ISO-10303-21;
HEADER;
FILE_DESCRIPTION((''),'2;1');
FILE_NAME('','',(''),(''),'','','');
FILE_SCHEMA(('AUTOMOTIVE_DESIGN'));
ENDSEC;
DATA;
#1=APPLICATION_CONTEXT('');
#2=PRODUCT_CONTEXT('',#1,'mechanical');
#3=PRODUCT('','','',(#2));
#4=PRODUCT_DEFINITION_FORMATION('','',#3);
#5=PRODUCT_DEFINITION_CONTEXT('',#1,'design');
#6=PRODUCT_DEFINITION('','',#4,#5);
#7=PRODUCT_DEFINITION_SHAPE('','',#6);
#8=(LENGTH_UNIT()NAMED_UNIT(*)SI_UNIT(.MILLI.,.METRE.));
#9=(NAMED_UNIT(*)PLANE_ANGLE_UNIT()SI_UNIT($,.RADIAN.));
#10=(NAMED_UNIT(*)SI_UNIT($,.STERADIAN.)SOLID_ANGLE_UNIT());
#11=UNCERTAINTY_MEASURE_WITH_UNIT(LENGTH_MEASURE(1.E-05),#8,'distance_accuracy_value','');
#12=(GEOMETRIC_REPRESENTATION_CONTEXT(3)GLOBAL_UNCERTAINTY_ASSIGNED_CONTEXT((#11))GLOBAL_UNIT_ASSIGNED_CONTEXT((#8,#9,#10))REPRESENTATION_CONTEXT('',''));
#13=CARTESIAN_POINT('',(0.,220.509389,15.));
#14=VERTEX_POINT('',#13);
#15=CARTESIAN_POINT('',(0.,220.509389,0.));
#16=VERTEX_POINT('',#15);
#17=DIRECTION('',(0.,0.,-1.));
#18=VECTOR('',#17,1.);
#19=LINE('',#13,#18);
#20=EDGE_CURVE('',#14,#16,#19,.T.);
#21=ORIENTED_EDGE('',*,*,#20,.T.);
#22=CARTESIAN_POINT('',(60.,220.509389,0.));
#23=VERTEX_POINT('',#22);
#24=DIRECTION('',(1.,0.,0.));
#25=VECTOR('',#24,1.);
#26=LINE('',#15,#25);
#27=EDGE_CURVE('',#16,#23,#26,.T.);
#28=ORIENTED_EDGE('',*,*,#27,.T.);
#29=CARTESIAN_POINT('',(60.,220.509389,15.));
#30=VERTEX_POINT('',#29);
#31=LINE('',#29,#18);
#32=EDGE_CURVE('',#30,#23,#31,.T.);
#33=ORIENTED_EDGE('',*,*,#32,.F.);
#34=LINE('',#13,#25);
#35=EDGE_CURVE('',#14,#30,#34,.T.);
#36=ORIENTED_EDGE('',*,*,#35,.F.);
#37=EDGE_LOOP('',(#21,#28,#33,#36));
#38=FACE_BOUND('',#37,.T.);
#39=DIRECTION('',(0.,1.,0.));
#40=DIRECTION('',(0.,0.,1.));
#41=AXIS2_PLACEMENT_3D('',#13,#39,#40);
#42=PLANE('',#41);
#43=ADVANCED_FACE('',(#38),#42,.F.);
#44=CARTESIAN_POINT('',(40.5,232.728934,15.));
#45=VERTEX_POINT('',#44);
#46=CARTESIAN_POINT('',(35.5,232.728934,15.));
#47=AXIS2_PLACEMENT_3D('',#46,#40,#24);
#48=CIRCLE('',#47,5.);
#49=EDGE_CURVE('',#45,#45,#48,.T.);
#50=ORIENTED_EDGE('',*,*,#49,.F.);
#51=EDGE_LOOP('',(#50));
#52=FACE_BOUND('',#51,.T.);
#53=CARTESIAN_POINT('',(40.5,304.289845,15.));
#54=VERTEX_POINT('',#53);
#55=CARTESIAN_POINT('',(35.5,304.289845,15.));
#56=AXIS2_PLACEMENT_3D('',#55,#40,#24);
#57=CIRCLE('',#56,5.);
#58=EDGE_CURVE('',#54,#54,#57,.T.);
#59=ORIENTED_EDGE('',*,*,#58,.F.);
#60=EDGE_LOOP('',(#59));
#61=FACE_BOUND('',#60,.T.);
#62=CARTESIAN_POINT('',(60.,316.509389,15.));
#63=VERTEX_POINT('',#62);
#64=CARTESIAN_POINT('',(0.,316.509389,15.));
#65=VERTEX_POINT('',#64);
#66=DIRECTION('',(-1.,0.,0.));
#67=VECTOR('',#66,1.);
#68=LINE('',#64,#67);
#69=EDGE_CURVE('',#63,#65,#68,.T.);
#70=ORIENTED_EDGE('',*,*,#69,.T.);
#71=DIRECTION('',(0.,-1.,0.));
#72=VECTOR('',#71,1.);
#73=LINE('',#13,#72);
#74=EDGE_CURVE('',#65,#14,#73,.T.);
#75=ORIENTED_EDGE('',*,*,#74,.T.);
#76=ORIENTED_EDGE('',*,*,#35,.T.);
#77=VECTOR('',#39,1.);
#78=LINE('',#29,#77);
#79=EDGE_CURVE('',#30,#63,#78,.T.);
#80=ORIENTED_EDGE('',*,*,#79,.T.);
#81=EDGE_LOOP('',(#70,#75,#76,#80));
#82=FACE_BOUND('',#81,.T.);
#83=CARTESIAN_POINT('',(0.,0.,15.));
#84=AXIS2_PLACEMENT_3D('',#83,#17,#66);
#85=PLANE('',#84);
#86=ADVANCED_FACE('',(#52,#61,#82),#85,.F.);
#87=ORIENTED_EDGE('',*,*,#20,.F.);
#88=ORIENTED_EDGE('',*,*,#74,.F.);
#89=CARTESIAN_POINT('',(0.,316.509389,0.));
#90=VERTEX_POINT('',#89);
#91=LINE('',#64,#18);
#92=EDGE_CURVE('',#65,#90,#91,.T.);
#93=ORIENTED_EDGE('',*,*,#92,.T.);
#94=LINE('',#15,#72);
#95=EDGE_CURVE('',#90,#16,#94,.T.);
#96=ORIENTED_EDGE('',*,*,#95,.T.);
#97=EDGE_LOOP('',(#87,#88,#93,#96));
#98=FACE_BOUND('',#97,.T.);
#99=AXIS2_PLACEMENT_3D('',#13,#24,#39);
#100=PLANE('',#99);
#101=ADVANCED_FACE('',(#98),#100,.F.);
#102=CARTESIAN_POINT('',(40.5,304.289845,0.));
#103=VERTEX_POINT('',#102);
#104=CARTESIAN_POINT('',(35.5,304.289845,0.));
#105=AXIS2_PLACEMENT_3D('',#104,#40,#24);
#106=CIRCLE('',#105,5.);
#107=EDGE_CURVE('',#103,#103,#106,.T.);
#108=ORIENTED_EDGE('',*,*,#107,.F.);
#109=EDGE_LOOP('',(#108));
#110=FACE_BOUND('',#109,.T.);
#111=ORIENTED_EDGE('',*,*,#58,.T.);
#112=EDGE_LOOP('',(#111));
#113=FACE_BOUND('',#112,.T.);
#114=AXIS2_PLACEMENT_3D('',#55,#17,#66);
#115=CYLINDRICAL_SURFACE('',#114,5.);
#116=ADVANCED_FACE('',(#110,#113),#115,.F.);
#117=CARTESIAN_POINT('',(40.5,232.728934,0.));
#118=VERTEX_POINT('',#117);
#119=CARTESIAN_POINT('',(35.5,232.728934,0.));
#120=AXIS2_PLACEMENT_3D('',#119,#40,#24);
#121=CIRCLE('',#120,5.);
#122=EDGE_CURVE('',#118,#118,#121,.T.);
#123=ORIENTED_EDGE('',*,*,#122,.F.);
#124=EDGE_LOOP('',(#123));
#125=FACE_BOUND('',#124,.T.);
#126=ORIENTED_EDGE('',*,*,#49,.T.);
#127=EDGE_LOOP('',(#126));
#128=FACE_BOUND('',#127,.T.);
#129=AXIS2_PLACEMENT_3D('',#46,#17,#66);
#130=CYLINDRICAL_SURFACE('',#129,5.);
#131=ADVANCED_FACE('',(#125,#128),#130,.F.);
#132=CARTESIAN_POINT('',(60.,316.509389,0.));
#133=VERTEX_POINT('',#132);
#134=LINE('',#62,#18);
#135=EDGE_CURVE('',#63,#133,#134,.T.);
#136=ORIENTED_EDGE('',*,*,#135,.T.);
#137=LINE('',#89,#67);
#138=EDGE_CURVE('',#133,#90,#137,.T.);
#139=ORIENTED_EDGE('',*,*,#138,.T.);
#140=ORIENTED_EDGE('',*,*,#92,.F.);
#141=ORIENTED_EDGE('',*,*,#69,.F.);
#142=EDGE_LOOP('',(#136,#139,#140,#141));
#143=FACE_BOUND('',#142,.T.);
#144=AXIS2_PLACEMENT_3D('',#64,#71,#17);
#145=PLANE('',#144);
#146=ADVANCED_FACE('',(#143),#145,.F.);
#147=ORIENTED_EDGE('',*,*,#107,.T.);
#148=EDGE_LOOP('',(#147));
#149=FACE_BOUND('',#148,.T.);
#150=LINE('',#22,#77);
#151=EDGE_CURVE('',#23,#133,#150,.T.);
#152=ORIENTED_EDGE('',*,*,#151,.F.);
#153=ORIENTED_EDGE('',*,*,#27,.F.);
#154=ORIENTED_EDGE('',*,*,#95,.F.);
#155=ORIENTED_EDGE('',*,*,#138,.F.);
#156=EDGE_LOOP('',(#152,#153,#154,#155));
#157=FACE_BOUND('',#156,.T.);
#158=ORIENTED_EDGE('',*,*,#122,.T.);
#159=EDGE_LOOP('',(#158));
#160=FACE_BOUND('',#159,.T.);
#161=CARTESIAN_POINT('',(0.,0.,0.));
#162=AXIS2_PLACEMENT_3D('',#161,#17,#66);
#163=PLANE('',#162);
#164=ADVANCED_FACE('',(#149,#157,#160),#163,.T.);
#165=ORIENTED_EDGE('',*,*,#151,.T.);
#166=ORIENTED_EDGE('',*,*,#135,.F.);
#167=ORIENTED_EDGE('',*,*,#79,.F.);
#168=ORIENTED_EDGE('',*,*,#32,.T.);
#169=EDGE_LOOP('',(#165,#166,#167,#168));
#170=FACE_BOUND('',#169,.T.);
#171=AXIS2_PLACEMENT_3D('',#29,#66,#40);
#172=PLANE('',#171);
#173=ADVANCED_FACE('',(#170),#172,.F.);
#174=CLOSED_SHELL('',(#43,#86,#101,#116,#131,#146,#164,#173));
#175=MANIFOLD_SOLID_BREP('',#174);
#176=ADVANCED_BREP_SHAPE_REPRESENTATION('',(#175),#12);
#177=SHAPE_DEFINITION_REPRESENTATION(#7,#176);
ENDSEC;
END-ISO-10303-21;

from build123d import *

# Parameters (mm, degrees)
SKETCH1_W           = 60
SKETCH1_H           = 96
SKETCH1_R           = 5
BOSS_EXTRUDE1_DEPTH = 15


with BuildPart() as part:
    # Sketch1 → Boss-Extrude1 (new body)
    with BuildSketch(Plane.XY):
        with Locations((30, 268.509389187)):
            Rectangle(SKETCH1_W, SKETCH1_H)
        with Locations((35.5, 232.728933645)):
            Circle(SKETCH1_R, mode=Mode.SUBTRACT)
        with Locations((35.5, 304.28984473)):
            Circle(SKETCH1_R, mode=Mode.SUBTRACT)
    extrude(amount=BOSS_EXTRUDE1_DEPTH)


solid = part.part
